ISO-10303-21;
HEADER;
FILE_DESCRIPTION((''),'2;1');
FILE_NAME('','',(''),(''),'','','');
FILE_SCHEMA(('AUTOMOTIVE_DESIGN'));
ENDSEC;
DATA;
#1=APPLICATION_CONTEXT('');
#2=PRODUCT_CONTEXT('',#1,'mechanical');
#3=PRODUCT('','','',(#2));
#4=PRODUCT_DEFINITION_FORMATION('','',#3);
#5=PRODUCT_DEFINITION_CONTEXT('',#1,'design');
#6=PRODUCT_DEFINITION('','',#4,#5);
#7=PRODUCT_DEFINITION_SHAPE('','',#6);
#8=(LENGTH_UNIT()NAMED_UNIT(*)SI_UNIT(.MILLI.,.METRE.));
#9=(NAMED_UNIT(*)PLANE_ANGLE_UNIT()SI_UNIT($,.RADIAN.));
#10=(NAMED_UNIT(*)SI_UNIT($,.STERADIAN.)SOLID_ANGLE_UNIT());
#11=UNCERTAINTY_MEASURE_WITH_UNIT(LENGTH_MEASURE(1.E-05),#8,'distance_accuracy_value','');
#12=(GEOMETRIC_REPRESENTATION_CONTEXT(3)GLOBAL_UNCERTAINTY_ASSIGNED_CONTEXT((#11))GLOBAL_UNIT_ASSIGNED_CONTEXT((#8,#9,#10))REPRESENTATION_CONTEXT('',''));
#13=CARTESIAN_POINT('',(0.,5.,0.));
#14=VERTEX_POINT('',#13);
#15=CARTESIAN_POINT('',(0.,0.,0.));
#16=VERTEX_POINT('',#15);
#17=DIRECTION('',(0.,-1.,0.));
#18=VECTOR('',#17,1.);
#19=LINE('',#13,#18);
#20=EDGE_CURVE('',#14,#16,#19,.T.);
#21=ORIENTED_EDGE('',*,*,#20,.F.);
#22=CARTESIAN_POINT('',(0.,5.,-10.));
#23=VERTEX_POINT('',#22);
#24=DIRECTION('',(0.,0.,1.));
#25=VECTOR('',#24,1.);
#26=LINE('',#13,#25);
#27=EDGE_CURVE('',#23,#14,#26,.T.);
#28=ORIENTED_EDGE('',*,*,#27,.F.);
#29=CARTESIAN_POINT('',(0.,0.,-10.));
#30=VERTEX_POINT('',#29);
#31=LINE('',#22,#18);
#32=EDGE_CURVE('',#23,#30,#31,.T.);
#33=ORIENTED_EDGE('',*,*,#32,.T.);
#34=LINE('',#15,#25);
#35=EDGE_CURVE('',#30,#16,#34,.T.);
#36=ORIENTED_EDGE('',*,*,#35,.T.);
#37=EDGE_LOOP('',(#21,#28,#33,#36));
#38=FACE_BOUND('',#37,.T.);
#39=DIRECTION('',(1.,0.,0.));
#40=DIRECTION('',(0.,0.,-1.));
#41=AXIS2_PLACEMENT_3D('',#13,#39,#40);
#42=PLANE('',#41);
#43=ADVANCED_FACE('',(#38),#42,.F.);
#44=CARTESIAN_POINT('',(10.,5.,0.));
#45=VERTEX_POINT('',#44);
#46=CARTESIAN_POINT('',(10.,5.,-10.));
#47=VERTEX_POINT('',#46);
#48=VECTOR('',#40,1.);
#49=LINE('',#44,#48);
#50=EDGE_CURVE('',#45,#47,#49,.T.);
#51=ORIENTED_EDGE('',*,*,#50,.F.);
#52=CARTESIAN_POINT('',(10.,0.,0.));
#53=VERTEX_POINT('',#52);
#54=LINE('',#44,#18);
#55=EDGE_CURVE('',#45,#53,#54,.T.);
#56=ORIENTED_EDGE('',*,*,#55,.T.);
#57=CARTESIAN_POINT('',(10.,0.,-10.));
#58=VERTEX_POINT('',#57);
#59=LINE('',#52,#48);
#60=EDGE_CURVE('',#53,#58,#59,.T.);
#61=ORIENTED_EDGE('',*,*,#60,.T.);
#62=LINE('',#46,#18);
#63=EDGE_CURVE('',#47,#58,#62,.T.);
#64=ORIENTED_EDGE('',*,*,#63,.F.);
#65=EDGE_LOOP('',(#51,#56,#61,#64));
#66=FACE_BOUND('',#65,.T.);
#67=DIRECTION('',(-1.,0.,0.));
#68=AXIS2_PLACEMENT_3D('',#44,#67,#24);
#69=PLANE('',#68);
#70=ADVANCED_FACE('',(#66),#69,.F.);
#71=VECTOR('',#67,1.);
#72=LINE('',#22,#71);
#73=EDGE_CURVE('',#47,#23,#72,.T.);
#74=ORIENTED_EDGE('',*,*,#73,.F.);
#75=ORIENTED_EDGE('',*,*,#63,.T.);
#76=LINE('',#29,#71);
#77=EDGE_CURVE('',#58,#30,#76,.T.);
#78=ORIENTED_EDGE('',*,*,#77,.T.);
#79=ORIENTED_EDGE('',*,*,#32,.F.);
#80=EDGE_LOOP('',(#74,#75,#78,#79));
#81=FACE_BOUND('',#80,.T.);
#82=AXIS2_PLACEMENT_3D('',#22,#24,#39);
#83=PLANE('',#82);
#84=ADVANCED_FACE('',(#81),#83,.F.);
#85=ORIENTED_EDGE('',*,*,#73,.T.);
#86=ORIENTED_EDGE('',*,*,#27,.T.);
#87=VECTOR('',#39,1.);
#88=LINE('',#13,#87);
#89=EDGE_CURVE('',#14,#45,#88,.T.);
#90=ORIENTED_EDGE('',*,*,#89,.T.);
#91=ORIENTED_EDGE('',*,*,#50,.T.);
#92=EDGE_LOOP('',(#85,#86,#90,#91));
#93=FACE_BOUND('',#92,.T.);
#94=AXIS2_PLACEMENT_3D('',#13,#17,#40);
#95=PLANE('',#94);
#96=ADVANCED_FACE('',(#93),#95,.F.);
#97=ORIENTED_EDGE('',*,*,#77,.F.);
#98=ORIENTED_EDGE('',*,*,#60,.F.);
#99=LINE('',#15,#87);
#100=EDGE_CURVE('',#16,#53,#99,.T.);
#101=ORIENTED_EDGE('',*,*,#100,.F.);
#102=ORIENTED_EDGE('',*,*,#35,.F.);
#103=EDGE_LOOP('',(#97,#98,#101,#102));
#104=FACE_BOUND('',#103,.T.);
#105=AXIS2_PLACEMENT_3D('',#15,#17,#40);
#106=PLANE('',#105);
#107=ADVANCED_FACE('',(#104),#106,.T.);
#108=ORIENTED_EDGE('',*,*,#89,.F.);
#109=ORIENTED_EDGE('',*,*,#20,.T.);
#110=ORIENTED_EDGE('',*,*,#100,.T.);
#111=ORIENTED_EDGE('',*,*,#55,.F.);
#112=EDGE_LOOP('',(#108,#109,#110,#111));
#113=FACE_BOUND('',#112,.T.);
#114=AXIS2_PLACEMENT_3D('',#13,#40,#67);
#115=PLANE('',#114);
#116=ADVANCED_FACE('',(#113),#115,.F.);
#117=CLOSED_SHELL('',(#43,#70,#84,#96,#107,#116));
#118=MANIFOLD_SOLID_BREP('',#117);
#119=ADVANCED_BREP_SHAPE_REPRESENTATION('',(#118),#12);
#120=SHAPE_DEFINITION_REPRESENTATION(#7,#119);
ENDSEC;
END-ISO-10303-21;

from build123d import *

# Parameters (mm, degrees)
SKETCH1_W           = 10
SKETCH1_H           = 10
BOSS_EXTRUDE1_DEPTH = 5


with BuildPart() as part:
    # Sketch1 → Boss-Extrude1 (new body)
    with BuildSketch(Plane(origin=(0, 0, 0), x_dir=(1, 0, 0), z_dir=(0, 1, 0))):
        with Locations((5, 5)):
            Rectangle(SKETCH1_W, SKETCH1_H)
    extrude(amount=BOSS_EXTRUDE1_DEPTH)


solid = part.part
